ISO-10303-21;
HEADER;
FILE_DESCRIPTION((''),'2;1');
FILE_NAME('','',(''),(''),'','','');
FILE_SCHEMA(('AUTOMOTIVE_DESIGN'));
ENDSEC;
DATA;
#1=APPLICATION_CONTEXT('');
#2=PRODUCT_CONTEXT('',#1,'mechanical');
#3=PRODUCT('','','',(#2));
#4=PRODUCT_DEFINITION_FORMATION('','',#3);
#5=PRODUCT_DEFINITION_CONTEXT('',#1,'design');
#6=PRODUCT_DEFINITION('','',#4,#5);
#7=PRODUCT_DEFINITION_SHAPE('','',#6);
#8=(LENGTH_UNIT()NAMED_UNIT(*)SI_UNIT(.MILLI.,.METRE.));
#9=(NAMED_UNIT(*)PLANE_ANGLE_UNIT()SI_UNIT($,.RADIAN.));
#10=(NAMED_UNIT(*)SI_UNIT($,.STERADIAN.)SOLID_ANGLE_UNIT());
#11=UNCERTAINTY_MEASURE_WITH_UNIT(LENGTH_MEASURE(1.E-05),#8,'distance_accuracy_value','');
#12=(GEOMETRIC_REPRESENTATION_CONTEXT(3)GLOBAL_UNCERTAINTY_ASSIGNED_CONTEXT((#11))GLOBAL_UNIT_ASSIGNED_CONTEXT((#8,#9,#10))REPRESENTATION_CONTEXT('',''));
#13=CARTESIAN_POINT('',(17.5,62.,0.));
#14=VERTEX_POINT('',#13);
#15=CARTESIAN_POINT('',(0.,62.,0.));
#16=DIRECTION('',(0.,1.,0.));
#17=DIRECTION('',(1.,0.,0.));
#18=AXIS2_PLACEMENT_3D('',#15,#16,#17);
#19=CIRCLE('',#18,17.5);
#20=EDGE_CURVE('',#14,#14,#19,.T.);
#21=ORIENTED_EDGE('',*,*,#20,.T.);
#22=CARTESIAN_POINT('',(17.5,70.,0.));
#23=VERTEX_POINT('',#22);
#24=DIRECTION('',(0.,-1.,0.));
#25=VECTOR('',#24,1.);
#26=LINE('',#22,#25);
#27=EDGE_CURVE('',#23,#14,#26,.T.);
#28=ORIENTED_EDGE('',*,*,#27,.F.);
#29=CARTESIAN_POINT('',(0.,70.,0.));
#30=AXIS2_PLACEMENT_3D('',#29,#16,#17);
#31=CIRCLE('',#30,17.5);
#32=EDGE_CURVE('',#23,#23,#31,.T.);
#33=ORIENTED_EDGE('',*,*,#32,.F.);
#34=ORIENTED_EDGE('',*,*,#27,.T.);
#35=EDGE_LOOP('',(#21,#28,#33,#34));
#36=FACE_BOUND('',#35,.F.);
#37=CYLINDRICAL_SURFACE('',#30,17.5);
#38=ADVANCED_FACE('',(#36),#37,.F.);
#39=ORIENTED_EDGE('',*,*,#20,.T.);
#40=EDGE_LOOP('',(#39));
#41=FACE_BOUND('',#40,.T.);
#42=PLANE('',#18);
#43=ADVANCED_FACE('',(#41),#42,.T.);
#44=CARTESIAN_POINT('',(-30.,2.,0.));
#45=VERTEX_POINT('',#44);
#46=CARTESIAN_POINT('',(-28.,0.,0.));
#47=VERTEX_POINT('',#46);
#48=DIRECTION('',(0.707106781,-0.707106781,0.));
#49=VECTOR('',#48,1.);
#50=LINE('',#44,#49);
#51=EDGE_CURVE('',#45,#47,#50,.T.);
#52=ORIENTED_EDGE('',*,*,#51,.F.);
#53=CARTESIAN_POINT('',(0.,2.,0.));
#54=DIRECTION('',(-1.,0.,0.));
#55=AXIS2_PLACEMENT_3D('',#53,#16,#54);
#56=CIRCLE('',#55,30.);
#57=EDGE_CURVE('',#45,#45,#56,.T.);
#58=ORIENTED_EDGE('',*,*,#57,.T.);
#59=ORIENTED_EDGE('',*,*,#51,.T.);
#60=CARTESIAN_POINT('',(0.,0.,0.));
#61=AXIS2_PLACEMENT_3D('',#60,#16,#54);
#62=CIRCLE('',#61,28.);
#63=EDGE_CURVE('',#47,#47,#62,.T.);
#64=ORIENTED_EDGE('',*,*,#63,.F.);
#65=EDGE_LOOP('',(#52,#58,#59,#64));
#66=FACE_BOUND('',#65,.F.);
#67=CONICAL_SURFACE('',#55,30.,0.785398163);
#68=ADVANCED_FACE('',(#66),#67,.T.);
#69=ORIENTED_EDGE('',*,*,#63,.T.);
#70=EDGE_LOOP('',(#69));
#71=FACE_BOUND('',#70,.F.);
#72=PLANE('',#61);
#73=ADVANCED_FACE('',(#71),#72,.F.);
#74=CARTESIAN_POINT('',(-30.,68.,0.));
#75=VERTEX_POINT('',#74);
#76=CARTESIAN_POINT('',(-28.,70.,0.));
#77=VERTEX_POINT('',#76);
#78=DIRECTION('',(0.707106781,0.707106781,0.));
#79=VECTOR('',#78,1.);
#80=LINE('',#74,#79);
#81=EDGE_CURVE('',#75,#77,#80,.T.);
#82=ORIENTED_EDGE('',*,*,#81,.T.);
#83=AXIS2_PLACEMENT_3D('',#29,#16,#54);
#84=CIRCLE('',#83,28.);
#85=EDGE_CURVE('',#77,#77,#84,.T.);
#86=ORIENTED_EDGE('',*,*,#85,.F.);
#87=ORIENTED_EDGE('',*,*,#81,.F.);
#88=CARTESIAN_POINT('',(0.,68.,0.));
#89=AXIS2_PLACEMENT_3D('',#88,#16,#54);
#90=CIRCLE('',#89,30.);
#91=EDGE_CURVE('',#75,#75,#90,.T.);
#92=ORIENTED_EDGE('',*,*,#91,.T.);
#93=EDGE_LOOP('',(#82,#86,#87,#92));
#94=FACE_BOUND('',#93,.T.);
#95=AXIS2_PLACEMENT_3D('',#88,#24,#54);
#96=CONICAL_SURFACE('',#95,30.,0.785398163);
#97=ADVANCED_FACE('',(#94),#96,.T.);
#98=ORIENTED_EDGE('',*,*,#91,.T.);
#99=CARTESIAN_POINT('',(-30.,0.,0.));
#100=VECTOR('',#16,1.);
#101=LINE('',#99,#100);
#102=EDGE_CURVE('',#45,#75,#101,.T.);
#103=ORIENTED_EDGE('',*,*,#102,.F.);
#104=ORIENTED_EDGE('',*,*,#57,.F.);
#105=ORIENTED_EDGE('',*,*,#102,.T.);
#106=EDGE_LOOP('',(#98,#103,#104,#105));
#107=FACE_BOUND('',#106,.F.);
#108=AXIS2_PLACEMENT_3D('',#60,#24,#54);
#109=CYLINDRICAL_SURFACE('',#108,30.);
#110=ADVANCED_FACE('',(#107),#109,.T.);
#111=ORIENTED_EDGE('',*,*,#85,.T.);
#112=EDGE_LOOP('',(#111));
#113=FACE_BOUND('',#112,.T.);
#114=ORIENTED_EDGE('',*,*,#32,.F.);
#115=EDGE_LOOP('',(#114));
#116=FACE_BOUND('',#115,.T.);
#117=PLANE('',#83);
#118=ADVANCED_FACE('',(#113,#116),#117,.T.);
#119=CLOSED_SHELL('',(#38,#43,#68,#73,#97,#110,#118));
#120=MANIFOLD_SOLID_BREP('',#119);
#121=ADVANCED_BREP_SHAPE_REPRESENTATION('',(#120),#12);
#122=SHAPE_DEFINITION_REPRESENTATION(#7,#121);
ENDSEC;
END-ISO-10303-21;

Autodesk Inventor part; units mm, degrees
ref_plane "YZ Plane" through (0, 0, 0) normal (1, 0, 0) x (0, 1, 0)
ref_plane "XZ Plane" through (0, 0, 0) normal (0, 1, 0) x (-1, 0, 0)
ref_plane "XY Plane" through (0, 0, 0) normal (0, 0, 1) x (1, 0, 0)
sketch "Sketch1" plane through (0, 0, 0) normal (0, 1, 0) x (-1, 0, 0)
  circle A0 centre (0, 0) radius 30
  dimension "Stand_Diameter" = 60
extrude "Extrusion1" add sketch "Sketch1" along normal blind 70
sketch "Sketch2" plane through (0, 70, 0) normal (0, 1, 0) x (1, 0, 0)
  circle A0 centre (0, 0) radius 30 projected
  circle A1 centre (0, 0) radius 17.5
  dimension "d5" = 35
extrude "Extrusion2" cut sketch "Sketch2" against normal blind 8 contours A1
chamfer "Chamfer1" distance 2 angle 45 2 edges at (30, 70, 0) (30, 0, 0)
properties part number "StandGreen" material "Wood (Oak)"
